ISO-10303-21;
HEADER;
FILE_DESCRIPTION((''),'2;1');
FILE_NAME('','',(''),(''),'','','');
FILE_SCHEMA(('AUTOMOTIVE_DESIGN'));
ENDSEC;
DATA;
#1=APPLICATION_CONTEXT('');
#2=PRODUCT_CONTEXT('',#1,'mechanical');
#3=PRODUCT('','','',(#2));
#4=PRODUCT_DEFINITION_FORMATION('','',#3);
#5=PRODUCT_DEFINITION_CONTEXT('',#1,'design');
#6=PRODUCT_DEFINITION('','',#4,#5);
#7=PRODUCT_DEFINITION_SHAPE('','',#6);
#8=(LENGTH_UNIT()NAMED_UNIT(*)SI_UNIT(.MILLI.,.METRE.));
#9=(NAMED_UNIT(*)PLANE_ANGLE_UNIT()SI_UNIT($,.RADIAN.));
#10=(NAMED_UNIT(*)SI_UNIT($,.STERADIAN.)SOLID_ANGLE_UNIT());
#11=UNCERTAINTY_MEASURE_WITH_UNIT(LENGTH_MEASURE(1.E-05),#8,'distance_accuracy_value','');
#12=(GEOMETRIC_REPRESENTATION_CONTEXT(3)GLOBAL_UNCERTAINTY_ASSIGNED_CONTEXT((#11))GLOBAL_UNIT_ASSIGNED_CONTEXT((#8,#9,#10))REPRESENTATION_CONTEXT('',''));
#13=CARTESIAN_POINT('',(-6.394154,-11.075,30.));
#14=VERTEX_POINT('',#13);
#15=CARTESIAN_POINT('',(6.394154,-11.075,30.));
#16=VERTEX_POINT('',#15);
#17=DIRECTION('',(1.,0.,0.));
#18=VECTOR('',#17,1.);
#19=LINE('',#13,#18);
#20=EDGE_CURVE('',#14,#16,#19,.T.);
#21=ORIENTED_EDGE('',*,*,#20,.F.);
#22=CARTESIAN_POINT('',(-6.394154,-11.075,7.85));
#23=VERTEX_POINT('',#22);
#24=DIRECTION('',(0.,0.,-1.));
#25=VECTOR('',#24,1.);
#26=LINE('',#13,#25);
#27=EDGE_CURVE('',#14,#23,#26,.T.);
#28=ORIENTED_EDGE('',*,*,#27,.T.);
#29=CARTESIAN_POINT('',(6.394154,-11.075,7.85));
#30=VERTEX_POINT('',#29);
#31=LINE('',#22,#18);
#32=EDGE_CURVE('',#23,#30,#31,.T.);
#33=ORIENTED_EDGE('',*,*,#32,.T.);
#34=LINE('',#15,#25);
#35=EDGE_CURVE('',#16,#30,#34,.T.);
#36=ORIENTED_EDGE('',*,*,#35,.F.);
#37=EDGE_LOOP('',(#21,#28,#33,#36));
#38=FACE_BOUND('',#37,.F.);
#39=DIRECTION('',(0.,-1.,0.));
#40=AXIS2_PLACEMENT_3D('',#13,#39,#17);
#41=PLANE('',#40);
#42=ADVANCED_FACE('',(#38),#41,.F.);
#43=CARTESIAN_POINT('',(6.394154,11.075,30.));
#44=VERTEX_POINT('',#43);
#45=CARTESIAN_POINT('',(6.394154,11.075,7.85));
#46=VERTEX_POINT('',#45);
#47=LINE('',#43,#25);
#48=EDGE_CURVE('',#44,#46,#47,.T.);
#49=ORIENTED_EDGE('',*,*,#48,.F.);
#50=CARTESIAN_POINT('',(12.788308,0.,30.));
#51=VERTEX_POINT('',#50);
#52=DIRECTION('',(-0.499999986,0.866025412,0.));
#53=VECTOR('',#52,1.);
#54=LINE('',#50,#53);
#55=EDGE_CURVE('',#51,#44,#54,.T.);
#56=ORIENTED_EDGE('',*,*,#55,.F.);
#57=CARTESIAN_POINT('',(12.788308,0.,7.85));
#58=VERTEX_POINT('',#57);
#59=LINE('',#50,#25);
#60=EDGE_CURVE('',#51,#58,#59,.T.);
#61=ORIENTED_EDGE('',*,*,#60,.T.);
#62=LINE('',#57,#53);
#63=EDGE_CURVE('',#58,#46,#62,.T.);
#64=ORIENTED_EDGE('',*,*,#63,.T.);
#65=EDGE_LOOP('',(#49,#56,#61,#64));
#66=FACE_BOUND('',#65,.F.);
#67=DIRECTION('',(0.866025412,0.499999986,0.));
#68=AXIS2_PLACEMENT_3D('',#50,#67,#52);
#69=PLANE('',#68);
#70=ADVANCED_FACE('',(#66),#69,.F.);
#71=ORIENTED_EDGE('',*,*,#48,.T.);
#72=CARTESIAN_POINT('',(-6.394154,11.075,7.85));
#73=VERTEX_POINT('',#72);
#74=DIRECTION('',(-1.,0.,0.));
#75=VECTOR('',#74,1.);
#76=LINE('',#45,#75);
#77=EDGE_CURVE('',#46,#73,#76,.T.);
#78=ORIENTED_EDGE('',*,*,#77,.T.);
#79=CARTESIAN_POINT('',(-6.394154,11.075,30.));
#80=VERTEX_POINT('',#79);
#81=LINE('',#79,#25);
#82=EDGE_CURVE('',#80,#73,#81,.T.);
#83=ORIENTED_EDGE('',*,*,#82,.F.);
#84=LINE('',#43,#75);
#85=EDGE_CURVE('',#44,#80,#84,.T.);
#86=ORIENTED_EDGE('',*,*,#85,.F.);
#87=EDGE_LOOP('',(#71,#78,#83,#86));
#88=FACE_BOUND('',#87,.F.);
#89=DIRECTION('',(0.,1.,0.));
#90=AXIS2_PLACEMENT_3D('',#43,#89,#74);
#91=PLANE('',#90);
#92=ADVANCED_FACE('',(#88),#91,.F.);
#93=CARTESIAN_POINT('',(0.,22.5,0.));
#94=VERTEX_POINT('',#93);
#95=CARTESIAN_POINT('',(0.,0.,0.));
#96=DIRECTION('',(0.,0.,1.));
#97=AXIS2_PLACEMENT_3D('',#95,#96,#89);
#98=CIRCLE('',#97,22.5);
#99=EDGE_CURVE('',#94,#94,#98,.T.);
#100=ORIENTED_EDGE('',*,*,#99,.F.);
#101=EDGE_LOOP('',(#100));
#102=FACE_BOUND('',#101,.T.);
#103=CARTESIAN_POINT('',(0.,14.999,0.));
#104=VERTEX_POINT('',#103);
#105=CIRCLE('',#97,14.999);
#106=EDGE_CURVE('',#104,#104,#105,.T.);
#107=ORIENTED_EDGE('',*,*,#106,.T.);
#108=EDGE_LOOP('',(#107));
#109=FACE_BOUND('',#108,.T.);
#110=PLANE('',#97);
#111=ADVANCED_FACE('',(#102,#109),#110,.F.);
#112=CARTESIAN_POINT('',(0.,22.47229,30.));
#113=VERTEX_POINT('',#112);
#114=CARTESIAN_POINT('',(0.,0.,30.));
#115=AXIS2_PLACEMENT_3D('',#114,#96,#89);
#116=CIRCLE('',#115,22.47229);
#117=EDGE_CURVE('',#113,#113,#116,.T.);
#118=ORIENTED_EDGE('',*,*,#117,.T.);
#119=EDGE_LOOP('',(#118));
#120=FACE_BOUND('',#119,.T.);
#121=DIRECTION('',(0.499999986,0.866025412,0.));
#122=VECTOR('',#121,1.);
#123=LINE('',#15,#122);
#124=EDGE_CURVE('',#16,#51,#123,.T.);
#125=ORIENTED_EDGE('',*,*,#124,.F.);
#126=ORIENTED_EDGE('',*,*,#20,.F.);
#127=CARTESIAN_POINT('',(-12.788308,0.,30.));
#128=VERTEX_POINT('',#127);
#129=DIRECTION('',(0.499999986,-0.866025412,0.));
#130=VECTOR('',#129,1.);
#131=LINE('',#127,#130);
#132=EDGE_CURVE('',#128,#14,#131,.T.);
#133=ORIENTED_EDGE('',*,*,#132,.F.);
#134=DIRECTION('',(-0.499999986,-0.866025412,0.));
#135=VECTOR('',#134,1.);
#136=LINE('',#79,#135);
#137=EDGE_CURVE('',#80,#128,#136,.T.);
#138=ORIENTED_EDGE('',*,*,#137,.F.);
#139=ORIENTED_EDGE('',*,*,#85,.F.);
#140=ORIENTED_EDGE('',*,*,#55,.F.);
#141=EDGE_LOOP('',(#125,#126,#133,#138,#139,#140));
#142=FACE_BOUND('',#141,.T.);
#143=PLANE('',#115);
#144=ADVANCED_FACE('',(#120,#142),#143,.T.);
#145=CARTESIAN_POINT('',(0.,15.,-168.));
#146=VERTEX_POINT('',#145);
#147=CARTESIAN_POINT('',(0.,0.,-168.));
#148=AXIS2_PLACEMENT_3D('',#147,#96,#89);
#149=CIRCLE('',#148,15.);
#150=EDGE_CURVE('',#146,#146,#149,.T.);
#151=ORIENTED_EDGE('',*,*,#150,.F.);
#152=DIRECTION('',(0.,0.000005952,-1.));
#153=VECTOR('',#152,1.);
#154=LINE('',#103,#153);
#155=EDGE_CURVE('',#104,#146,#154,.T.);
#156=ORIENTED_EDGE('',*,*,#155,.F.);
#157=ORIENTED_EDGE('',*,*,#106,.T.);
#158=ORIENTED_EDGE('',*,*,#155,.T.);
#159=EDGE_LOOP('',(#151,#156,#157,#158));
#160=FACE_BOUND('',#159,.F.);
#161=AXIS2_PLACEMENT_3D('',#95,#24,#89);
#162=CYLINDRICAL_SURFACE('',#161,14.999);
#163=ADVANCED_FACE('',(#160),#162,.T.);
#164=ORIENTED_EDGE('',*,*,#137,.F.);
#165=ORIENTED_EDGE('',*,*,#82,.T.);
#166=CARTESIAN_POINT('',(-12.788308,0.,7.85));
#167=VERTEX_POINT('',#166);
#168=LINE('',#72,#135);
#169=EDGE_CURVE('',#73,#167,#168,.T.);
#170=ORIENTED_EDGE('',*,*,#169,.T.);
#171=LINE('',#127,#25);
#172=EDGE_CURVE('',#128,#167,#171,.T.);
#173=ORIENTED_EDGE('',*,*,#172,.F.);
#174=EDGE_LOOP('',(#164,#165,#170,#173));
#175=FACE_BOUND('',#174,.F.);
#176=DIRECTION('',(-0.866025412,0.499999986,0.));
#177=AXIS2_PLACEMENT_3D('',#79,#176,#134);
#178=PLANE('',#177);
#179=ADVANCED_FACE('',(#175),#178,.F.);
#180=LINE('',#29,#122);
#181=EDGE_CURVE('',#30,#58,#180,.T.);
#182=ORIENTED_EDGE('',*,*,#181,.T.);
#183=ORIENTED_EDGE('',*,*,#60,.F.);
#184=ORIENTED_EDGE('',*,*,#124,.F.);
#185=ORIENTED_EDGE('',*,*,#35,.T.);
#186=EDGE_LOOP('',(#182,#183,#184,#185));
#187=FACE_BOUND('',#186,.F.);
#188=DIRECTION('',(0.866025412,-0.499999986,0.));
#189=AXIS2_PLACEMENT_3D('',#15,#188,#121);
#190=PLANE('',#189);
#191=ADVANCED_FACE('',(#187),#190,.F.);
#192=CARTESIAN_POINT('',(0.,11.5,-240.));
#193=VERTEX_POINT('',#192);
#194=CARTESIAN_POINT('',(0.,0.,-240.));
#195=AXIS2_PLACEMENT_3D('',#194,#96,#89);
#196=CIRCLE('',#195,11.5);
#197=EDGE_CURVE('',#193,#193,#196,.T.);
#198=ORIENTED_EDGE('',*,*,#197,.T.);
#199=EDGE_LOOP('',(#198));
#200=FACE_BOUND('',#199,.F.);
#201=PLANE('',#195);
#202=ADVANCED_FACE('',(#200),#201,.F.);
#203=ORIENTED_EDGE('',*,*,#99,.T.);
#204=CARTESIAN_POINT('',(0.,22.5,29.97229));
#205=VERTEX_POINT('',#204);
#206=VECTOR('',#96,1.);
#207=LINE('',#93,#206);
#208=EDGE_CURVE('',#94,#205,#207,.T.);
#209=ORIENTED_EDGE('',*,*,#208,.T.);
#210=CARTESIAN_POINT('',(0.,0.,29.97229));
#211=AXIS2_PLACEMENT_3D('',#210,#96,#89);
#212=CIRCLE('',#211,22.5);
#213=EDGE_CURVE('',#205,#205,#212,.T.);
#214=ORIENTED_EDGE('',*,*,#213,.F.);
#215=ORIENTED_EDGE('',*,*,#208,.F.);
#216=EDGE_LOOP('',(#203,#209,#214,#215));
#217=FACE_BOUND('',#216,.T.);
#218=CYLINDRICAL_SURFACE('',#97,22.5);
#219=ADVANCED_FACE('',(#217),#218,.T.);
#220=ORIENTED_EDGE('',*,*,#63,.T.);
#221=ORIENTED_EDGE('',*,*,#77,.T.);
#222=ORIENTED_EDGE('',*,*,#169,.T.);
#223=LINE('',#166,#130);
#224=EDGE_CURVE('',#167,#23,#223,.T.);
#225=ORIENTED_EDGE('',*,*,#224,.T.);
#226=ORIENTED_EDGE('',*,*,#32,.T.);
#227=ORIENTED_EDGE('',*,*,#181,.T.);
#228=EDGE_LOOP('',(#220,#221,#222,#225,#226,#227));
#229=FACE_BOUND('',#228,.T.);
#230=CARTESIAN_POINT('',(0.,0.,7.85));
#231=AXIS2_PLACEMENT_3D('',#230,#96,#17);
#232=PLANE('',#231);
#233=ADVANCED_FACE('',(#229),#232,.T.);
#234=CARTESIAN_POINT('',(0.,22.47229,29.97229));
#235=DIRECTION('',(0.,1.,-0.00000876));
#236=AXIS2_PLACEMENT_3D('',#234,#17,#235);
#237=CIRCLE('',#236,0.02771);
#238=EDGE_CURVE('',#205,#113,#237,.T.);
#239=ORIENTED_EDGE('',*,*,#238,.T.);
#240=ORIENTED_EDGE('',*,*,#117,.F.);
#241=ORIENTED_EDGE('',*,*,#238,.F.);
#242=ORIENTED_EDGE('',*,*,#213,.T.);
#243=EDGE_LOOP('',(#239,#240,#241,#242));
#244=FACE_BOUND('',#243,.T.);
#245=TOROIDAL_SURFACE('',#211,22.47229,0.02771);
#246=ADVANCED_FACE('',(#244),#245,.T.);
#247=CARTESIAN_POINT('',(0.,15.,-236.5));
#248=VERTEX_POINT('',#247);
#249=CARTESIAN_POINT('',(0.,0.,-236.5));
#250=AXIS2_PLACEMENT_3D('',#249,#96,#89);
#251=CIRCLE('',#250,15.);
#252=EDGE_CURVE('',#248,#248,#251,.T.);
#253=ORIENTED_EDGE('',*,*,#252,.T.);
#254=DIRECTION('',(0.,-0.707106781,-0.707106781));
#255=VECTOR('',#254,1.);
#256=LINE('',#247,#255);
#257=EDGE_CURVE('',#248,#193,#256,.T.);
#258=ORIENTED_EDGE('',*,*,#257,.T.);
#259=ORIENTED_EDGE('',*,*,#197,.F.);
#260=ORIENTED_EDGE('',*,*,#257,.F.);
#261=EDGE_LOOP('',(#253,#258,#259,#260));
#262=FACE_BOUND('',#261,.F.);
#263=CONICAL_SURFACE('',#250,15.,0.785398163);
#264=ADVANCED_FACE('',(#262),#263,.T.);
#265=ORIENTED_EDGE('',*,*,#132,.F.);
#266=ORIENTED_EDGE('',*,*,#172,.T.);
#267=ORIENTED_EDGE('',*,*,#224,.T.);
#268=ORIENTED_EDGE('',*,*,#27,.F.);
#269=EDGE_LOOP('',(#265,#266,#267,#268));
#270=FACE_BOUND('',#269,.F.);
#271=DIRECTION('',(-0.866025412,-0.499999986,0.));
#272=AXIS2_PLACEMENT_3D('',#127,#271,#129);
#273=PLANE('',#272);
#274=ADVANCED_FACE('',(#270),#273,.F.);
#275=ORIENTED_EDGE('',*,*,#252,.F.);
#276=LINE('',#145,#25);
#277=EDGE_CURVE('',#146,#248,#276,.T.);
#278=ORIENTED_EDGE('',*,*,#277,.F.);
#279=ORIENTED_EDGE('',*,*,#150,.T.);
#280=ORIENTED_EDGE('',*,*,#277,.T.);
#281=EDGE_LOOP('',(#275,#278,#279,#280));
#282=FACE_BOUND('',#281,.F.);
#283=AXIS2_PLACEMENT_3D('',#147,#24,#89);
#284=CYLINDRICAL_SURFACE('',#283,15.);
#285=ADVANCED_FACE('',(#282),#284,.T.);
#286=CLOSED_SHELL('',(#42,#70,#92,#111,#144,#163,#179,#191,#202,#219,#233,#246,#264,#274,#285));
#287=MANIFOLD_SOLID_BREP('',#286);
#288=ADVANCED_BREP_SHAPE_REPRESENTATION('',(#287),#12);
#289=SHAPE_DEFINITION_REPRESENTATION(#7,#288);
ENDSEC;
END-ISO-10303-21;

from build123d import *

# Parameters (mm, degrees)
POCKET_DEPTH = 22.15


with BuildPart() as part:
    # Sketch → Revolve (revolve)
    with BuildSketch(Plane.YZ):
        with BuildLine():
            Line((14.999, 0), (22.5, 0))
            Line((22.5, 0), (22.5, 29.97229))
            ThreePointArc((22.5, 29.97229), (22.491884, 29.991884), (22.47229, 30))
            Line((22.47229, 30), (0, 30))
            Line((0, -240), (0, 30))
            Line((11.5, -240), (0, -240))
            Line((15, -236.5), (11.5, -240))
            Line((15, -168), (15, -236.5))
            Line((14.999, 0), (15, -168))
        make_face()
    revolve(axis=Axis((0, 0, 0), (0, 0, 1)))

    # Sketch001 → Pocket (cut)
    with BuildSketch(Plane.XY.offset(30)):
        Polygon((12.788308, 0), (6.394154, 11.075), (-6.394154, 11.075), (-12.788308, 0), (-6.394154, -11.075), (6.394154, -11.075), align=None)
    extrude(amount=-POCKET_DEPTH, mode=Mode.SUBTRACT)


solid = part.part
